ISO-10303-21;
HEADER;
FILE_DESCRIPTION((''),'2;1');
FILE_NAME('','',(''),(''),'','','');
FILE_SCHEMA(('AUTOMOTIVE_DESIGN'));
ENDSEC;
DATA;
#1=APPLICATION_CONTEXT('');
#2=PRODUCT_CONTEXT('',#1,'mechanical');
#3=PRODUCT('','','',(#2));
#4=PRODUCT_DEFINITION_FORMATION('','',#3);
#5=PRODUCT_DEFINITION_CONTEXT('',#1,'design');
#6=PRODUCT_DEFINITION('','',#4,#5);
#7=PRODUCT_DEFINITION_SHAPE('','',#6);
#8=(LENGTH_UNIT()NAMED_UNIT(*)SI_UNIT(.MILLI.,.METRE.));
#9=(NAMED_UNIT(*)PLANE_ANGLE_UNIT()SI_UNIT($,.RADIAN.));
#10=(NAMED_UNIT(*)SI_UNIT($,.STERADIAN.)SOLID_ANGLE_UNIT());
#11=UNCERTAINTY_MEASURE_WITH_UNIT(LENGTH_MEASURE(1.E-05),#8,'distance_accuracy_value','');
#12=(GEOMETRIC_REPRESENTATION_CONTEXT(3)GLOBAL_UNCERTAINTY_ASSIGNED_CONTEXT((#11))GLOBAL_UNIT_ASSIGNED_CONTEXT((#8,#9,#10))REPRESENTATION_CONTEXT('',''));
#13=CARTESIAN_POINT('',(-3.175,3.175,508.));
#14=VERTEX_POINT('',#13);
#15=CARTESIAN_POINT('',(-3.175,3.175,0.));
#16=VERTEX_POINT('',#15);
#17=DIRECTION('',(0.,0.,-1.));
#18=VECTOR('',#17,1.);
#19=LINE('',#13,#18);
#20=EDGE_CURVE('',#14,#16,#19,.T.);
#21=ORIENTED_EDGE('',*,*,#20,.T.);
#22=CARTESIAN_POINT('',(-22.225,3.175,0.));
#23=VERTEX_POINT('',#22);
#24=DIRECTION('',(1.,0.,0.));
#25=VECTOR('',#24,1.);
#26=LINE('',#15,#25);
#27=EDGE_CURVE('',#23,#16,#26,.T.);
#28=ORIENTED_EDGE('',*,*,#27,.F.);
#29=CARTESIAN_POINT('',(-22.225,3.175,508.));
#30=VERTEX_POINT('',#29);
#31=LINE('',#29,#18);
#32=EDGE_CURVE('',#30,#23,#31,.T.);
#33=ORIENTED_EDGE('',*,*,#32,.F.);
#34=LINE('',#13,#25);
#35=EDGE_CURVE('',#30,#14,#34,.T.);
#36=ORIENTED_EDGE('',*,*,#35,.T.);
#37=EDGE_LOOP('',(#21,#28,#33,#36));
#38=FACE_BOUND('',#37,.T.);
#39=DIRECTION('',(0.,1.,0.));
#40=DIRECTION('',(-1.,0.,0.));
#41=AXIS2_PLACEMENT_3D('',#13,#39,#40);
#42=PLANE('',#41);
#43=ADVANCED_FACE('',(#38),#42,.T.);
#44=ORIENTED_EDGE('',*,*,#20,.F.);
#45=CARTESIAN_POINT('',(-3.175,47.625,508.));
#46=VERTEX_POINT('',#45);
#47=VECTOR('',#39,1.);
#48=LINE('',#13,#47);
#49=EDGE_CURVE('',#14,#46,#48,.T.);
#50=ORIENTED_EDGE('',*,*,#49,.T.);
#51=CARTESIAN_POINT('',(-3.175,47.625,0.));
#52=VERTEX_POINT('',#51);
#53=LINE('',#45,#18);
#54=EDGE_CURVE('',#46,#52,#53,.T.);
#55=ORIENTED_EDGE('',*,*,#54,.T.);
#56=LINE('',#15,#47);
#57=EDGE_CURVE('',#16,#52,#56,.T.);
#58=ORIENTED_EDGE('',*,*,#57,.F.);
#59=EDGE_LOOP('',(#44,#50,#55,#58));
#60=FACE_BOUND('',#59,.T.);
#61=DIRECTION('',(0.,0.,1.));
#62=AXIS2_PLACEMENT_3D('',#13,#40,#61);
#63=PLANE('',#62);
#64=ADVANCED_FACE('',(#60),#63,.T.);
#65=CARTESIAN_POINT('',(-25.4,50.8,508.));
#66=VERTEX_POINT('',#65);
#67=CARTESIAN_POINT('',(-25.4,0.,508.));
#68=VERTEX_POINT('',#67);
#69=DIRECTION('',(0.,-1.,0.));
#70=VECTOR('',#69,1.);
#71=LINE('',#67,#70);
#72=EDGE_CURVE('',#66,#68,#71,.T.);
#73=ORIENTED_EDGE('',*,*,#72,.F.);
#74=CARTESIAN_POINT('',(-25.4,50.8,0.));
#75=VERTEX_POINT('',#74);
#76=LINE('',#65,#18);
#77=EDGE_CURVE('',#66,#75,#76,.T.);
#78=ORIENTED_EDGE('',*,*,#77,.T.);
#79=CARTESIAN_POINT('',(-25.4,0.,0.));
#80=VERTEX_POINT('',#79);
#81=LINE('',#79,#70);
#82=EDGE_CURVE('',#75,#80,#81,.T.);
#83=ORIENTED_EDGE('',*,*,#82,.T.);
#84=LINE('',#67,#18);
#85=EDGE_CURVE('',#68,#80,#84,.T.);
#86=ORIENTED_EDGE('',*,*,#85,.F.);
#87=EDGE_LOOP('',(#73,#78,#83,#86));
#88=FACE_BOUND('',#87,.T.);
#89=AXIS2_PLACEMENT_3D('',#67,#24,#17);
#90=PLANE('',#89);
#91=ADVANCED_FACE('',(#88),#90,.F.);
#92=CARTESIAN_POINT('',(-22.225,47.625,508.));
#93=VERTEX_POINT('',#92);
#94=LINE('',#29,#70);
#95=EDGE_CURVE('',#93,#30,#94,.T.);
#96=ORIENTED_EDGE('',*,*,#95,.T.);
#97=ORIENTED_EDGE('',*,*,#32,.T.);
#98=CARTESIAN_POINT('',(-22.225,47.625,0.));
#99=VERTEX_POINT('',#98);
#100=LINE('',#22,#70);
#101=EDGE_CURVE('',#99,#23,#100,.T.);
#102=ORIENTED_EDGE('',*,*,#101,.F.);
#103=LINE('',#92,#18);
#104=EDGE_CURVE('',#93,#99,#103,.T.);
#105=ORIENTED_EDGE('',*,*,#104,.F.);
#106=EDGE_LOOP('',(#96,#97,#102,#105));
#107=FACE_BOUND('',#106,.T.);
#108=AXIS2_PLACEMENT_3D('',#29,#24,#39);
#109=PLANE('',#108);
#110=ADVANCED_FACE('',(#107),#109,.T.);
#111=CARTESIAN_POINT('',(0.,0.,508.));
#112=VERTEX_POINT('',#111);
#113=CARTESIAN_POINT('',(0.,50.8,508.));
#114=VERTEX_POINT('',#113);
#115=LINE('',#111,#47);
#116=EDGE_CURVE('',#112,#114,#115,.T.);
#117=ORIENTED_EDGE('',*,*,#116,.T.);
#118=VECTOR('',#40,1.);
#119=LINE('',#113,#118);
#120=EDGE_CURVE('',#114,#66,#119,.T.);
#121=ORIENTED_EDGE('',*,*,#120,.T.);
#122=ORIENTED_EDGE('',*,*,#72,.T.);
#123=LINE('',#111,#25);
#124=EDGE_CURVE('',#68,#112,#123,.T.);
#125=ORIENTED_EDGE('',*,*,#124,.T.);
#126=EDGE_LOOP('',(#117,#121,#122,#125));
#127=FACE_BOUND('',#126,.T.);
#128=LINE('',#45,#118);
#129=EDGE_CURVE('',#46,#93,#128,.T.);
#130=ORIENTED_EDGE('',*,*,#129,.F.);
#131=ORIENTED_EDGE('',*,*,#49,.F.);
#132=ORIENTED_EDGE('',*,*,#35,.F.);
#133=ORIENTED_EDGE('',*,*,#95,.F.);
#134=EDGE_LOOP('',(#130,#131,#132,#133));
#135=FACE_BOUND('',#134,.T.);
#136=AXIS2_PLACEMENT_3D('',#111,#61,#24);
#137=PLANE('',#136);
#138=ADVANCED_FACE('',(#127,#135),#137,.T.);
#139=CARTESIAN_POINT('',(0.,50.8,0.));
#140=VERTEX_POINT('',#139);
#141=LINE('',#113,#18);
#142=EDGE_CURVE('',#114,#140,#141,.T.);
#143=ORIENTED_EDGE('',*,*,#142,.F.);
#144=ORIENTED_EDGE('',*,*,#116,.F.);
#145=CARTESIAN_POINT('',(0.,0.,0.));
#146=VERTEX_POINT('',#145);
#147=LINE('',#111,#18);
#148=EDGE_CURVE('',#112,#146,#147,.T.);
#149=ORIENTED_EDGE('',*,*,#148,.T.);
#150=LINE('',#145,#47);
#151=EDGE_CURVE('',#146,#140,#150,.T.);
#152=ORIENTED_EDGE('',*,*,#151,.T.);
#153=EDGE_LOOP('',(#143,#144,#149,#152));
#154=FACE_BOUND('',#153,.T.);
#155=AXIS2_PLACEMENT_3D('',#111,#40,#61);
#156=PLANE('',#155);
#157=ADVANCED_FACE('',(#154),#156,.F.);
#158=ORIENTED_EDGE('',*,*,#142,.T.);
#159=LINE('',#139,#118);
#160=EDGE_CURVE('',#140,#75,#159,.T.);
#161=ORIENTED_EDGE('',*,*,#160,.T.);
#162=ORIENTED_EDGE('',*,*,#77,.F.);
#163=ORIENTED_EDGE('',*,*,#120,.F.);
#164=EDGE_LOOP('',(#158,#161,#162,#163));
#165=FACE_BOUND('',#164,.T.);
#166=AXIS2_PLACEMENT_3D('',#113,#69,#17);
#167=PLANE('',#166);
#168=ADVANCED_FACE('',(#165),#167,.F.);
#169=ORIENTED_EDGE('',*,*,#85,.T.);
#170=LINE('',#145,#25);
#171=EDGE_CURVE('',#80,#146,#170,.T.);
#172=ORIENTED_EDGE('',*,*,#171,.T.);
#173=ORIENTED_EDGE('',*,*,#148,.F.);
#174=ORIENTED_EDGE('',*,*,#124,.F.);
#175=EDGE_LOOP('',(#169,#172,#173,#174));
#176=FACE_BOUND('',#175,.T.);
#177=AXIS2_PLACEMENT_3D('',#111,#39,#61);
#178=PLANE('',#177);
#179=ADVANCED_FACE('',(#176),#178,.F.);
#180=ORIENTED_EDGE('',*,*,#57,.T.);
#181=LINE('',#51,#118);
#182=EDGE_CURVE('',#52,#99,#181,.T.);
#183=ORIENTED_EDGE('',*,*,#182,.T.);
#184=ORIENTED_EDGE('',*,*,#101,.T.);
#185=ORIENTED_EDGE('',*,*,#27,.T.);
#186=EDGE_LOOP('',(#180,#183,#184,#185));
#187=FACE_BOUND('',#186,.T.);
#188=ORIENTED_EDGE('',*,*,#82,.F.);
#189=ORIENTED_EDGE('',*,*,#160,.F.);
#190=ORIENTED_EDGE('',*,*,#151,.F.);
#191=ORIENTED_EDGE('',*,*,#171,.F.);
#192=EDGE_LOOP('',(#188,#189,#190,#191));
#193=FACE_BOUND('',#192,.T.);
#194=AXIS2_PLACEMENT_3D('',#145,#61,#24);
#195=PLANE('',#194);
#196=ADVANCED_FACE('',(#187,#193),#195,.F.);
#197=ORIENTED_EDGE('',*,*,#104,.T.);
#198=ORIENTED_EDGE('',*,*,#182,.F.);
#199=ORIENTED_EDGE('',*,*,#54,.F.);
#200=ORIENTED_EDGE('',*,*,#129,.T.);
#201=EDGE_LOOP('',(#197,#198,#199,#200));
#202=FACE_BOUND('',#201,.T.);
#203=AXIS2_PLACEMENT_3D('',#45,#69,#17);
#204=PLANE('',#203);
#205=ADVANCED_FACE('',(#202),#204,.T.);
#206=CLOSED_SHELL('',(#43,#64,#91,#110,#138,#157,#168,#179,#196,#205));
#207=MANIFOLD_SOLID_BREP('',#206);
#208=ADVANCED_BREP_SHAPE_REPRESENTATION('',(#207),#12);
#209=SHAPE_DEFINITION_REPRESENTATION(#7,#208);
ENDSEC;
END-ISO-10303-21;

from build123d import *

# Parameters (mm, degrees)
SKETCH1_W           = 25.4
SKETCH1_H           = 50.8
SKETCH1_W_2         = 19.05
SKETCH1_H_2         = 44.45
BOSS_EXTRUDE1_DEPTH = 508


with BuildPart() as part:
    # Sketch1 → Boss-Extrude1 (new body)
    with BuildSketch(Plane.XY):
        with Locations((-12.7, 25.4)):
            Rectangle(SKETCH1_W, SKETCH1_H)
        with Locations((-12.7, 25.4)):
            Rectangle(SKETCH1_W_2, SKETCH1_H_2, mode=Mode.SUBTRACT)
    extrude(amount=BOSS_EXTRUDE1_DEPTH)


solid = part.part
